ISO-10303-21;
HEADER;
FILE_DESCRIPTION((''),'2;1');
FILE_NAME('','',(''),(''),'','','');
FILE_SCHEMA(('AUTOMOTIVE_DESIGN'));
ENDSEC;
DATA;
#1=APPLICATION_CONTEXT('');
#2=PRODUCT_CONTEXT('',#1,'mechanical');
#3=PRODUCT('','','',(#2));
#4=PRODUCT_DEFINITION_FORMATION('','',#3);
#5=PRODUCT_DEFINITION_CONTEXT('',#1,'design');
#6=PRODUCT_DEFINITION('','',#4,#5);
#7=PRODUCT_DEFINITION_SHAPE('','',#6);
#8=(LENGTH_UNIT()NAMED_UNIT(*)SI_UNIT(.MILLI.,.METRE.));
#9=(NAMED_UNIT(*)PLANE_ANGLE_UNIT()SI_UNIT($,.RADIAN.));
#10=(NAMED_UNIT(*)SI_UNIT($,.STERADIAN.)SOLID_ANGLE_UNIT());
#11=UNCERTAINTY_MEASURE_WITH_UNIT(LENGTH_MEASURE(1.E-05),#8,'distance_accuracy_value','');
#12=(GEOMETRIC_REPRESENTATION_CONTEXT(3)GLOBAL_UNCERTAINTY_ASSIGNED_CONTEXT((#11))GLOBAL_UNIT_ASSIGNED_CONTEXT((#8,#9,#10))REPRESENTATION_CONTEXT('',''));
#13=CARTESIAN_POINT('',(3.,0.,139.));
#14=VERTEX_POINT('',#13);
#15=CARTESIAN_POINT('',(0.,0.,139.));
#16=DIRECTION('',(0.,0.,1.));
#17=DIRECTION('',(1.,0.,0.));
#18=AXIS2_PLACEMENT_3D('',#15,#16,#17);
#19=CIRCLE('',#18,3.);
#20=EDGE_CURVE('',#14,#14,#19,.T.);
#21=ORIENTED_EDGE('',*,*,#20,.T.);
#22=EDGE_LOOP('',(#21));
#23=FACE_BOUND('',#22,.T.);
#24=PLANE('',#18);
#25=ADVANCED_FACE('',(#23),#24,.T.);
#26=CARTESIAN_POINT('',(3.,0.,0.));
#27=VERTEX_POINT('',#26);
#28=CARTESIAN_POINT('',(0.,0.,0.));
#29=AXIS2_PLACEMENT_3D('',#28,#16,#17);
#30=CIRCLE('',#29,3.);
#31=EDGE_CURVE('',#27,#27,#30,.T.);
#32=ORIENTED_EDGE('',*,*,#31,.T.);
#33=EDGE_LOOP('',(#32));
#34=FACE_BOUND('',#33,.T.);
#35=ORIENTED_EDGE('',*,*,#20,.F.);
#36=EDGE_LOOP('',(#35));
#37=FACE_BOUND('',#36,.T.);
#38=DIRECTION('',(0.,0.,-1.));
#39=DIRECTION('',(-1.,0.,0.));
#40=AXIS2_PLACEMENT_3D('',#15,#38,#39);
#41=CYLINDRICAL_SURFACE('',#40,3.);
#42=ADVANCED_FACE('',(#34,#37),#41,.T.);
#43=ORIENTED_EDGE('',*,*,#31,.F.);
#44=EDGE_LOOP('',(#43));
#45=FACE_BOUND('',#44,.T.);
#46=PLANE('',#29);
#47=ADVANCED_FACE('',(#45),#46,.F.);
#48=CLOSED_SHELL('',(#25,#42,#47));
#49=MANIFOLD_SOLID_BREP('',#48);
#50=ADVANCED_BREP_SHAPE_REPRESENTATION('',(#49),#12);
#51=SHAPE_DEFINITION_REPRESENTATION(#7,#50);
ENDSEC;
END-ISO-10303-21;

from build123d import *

# Parameters (mm, degrees)
SKETCH_1_R      = 3
EXTRUDE_1_DEPTH = 139


with BuildPart() as part:
    # 草图1 → 凸台-拉伸1 (new body)
    with BuildSketch(Plane.XY):
        Circle(SKETCH_1_R)
    extrude(amount=EXTRUDE_1_DEPTH)


solid = part.part
